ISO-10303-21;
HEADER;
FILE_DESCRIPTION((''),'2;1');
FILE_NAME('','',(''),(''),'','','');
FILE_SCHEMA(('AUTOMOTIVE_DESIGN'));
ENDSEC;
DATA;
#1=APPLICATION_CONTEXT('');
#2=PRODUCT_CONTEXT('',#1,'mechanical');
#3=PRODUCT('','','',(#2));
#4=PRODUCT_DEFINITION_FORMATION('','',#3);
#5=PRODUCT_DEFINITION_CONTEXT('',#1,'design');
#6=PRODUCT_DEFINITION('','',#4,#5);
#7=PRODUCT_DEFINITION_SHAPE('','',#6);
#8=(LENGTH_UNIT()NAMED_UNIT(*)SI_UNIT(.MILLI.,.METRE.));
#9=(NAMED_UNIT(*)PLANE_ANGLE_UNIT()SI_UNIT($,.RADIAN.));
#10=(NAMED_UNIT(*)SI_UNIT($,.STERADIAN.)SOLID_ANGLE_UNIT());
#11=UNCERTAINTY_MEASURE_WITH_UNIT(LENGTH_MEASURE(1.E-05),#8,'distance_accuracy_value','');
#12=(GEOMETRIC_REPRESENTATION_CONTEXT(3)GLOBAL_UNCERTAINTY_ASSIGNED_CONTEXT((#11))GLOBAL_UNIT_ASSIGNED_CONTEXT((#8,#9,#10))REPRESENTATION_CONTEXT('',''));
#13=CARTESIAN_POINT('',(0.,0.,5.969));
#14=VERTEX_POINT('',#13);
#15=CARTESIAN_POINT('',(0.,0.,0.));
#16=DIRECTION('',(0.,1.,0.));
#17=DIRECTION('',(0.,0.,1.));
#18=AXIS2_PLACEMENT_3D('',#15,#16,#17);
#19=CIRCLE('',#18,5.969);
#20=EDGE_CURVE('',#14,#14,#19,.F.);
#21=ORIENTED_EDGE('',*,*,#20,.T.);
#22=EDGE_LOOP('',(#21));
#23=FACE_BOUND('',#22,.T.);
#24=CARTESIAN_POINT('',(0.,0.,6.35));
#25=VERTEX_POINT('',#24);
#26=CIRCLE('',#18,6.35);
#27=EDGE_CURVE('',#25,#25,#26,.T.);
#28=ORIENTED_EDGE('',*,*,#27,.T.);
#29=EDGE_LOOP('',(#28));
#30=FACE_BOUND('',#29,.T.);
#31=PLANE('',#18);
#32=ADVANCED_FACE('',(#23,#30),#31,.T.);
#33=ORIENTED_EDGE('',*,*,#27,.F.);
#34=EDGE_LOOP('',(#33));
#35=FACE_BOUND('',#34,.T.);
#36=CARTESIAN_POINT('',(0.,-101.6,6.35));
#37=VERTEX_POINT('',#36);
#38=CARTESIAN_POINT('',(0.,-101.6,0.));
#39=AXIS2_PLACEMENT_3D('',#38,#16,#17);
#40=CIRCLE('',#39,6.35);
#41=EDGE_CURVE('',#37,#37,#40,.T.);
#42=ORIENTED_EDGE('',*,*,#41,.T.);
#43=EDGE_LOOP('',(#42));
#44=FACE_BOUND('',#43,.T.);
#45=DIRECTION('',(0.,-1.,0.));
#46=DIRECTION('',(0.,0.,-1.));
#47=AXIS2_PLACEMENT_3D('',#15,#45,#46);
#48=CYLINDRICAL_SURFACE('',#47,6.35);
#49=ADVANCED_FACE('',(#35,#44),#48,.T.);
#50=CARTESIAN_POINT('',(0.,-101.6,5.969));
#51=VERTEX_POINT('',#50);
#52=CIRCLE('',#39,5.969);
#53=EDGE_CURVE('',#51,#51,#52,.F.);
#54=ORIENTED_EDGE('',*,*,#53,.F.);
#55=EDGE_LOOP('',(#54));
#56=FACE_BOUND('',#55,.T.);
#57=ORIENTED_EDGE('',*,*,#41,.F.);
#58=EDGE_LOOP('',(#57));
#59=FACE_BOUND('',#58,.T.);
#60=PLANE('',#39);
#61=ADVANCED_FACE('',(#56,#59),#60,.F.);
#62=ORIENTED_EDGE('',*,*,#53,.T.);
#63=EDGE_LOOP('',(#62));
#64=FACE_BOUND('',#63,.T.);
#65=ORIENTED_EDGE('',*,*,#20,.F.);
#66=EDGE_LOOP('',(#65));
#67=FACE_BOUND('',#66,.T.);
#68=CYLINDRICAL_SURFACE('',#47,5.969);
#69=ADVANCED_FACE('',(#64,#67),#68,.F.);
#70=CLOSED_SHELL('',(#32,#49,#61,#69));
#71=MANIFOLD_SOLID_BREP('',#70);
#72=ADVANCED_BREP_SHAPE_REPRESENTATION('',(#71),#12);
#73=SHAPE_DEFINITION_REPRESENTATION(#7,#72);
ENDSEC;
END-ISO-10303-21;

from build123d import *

# Parameters (mm, degrees)
SKETCH1_R   = 6.35
SKETCH1_R_2 = 5.969


with BuildPart() as part:
    # Sweep1: sweep along a path in Sketch2
    with BuildLine(Plane(origin=(0, 0, 0), x_dir=(0, 0, -1), z_dir=(1, 0, 0))) as sweep1_path:
        Line((0, 0), (0, -101.6))
    # Sketch1 → Sweep1 (sweep)
    with BuildSketch(Plane(origin=(0, 0, 0), x_dir=(1, 0, 0), z_dir=(0, 1, 0))):
        Circle(SKETCH1_R)
        Circle(SKETCH1_R_2, mode=Mode.SUBTRACT)
    sweep(path=sweep1_path.line)


solid = part.part
